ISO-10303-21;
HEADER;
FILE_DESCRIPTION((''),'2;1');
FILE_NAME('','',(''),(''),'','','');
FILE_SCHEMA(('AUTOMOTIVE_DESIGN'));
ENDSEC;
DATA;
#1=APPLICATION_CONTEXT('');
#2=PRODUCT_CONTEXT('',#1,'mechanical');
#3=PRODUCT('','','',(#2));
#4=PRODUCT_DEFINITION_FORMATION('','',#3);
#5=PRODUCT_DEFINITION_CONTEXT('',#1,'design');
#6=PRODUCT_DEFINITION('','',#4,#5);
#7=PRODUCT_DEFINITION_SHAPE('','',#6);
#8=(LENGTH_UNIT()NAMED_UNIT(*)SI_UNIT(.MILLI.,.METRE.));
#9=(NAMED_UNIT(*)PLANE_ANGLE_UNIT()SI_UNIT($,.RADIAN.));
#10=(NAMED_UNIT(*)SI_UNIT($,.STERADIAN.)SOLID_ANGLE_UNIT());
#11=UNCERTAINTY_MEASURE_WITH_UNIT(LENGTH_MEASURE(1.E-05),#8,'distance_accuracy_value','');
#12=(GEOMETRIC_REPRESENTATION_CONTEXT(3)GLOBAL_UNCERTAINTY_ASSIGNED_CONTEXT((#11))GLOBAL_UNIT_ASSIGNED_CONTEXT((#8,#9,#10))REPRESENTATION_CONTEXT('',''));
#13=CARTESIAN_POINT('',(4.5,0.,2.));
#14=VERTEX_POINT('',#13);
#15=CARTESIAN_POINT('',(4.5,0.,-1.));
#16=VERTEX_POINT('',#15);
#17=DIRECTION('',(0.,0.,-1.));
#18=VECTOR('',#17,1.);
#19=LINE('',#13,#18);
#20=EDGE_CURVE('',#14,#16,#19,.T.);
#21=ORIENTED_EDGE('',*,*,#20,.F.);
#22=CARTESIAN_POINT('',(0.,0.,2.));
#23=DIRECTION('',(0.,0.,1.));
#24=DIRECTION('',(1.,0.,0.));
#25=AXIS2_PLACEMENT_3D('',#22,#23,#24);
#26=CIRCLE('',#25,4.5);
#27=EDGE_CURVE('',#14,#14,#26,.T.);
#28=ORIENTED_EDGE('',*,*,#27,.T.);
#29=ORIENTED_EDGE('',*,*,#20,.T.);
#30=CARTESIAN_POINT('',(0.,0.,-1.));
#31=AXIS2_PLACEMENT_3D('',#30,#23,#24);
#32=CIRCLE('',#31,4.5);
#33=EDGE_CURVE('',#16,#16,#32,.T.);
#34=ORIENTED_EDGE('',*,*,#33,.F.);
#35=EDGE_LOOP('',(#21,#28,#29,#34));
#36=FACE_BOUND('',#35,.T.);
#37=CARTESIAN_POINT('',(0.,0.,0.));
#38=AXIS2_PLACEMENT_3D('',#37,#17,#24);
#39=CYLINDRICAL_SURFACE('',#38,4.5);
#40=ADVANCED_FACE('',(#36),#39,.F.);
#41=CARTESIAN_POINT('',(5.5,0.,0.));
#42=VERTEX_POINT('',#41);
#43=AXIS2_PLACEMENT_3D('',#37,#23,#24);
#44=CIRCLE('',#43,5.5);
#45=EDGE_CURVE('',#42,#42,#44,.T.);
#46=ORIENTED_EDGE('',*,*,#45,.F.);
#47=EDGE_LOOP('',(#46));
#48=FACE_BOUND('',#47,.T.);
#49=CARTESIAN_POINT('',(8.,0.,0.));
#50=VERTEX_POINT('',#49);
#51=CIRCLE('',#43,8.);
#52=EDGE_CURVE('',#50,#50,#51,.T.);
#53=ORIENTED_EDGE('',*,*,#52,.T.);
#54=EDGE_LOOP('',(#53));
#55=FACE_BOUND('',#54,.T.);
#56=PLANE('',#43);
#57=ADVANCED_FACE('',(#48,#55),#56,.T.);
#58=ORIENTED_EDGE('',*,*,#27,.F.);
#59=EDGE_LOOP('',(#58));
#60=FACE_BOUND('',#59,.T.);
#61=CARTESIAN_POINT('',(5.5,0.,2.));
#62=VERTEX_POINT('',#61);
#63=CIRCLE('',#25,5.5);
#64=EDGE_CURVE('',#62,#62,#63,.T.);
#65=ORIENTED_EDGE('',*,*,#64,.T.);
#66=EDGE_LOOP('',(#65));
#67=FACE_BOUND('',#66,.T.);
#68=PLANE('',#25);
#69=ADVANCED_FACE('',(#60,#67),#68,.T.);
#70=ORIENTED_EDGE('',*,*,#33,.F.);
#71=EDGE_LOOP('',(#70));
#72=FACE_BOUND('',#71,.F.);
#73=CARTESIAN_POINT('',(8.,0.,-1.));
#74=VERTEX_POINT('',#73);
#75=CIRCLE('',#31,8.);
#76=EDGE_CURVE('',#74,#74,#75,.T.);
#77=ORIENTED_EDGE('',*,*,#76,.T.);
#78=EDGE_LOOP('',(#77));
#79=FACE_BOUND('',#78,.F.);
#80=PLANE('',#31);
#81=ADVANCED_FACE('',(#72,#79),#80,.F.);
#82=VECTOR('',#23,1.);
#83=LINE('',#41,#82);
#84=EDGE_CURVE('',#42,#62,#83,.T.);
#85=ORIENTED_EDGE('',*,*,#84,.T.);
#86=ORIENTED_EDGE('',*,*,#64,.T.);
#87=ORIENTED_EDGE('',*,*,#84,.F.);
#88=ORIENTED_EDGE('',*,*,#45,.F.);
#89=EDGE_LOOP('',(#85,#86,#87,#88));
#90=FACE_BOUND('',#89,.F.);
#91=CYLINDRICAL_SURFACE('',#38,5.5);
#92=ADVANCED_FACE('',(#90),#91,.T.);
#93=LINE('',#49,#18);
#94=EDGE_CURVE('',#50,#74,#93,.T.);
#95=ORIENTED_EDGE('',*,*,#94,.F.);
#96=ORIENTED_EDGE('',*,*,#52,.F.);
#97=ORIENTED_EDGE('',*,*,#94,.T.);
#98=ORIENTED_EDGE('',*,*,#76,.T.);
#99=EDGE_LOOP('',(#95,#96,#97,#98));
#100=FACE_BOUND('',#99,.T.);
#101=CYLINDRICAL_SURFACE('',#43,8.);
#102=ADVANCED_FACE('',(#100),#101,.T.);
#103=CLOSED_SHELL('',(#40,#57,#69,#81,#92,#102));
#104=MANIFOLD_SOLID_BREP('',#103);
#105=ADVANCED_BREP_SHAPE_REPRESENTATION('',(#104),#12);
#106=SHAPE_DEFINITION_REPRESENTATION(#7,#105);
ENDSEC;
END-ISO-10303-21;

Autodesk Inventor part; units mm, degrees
ref_plane "YZ Plane" through (0, 0, 0) normal (1, 0, 0) x (0, 1, 0)
ref_plane "XZ Plane" through (0, 0, 0) normal (0, 1, 0) x (-1, 0, 0)
ref_plane "XY Plane" through (0, 0, 0) normal (0, 0, 1) x (1, 0, 0)
sketch "スケッチ1" plane through (0, 0, 0) normal (0, 0, 1) x (1, 0, 0)
  circle A0 centre (0, 0) radius 4.5
  circle A1 centre (0, 0) radius 5.5
  circle A2 centre (0, 0) radius 8
  dimension "d0" = 9
  dimension "d1" = 11
  dimension "d2" = 16
extrude "押し出し1" add sketch "スケッチ1" against normal blind 1 contours A1 | A2
extrude "押し出し2" add sketch "スケッチ1" along normal blind 2 contours A1
properties part number "オイレスFd9D11L3" material "アセタール樹脂、黒"
